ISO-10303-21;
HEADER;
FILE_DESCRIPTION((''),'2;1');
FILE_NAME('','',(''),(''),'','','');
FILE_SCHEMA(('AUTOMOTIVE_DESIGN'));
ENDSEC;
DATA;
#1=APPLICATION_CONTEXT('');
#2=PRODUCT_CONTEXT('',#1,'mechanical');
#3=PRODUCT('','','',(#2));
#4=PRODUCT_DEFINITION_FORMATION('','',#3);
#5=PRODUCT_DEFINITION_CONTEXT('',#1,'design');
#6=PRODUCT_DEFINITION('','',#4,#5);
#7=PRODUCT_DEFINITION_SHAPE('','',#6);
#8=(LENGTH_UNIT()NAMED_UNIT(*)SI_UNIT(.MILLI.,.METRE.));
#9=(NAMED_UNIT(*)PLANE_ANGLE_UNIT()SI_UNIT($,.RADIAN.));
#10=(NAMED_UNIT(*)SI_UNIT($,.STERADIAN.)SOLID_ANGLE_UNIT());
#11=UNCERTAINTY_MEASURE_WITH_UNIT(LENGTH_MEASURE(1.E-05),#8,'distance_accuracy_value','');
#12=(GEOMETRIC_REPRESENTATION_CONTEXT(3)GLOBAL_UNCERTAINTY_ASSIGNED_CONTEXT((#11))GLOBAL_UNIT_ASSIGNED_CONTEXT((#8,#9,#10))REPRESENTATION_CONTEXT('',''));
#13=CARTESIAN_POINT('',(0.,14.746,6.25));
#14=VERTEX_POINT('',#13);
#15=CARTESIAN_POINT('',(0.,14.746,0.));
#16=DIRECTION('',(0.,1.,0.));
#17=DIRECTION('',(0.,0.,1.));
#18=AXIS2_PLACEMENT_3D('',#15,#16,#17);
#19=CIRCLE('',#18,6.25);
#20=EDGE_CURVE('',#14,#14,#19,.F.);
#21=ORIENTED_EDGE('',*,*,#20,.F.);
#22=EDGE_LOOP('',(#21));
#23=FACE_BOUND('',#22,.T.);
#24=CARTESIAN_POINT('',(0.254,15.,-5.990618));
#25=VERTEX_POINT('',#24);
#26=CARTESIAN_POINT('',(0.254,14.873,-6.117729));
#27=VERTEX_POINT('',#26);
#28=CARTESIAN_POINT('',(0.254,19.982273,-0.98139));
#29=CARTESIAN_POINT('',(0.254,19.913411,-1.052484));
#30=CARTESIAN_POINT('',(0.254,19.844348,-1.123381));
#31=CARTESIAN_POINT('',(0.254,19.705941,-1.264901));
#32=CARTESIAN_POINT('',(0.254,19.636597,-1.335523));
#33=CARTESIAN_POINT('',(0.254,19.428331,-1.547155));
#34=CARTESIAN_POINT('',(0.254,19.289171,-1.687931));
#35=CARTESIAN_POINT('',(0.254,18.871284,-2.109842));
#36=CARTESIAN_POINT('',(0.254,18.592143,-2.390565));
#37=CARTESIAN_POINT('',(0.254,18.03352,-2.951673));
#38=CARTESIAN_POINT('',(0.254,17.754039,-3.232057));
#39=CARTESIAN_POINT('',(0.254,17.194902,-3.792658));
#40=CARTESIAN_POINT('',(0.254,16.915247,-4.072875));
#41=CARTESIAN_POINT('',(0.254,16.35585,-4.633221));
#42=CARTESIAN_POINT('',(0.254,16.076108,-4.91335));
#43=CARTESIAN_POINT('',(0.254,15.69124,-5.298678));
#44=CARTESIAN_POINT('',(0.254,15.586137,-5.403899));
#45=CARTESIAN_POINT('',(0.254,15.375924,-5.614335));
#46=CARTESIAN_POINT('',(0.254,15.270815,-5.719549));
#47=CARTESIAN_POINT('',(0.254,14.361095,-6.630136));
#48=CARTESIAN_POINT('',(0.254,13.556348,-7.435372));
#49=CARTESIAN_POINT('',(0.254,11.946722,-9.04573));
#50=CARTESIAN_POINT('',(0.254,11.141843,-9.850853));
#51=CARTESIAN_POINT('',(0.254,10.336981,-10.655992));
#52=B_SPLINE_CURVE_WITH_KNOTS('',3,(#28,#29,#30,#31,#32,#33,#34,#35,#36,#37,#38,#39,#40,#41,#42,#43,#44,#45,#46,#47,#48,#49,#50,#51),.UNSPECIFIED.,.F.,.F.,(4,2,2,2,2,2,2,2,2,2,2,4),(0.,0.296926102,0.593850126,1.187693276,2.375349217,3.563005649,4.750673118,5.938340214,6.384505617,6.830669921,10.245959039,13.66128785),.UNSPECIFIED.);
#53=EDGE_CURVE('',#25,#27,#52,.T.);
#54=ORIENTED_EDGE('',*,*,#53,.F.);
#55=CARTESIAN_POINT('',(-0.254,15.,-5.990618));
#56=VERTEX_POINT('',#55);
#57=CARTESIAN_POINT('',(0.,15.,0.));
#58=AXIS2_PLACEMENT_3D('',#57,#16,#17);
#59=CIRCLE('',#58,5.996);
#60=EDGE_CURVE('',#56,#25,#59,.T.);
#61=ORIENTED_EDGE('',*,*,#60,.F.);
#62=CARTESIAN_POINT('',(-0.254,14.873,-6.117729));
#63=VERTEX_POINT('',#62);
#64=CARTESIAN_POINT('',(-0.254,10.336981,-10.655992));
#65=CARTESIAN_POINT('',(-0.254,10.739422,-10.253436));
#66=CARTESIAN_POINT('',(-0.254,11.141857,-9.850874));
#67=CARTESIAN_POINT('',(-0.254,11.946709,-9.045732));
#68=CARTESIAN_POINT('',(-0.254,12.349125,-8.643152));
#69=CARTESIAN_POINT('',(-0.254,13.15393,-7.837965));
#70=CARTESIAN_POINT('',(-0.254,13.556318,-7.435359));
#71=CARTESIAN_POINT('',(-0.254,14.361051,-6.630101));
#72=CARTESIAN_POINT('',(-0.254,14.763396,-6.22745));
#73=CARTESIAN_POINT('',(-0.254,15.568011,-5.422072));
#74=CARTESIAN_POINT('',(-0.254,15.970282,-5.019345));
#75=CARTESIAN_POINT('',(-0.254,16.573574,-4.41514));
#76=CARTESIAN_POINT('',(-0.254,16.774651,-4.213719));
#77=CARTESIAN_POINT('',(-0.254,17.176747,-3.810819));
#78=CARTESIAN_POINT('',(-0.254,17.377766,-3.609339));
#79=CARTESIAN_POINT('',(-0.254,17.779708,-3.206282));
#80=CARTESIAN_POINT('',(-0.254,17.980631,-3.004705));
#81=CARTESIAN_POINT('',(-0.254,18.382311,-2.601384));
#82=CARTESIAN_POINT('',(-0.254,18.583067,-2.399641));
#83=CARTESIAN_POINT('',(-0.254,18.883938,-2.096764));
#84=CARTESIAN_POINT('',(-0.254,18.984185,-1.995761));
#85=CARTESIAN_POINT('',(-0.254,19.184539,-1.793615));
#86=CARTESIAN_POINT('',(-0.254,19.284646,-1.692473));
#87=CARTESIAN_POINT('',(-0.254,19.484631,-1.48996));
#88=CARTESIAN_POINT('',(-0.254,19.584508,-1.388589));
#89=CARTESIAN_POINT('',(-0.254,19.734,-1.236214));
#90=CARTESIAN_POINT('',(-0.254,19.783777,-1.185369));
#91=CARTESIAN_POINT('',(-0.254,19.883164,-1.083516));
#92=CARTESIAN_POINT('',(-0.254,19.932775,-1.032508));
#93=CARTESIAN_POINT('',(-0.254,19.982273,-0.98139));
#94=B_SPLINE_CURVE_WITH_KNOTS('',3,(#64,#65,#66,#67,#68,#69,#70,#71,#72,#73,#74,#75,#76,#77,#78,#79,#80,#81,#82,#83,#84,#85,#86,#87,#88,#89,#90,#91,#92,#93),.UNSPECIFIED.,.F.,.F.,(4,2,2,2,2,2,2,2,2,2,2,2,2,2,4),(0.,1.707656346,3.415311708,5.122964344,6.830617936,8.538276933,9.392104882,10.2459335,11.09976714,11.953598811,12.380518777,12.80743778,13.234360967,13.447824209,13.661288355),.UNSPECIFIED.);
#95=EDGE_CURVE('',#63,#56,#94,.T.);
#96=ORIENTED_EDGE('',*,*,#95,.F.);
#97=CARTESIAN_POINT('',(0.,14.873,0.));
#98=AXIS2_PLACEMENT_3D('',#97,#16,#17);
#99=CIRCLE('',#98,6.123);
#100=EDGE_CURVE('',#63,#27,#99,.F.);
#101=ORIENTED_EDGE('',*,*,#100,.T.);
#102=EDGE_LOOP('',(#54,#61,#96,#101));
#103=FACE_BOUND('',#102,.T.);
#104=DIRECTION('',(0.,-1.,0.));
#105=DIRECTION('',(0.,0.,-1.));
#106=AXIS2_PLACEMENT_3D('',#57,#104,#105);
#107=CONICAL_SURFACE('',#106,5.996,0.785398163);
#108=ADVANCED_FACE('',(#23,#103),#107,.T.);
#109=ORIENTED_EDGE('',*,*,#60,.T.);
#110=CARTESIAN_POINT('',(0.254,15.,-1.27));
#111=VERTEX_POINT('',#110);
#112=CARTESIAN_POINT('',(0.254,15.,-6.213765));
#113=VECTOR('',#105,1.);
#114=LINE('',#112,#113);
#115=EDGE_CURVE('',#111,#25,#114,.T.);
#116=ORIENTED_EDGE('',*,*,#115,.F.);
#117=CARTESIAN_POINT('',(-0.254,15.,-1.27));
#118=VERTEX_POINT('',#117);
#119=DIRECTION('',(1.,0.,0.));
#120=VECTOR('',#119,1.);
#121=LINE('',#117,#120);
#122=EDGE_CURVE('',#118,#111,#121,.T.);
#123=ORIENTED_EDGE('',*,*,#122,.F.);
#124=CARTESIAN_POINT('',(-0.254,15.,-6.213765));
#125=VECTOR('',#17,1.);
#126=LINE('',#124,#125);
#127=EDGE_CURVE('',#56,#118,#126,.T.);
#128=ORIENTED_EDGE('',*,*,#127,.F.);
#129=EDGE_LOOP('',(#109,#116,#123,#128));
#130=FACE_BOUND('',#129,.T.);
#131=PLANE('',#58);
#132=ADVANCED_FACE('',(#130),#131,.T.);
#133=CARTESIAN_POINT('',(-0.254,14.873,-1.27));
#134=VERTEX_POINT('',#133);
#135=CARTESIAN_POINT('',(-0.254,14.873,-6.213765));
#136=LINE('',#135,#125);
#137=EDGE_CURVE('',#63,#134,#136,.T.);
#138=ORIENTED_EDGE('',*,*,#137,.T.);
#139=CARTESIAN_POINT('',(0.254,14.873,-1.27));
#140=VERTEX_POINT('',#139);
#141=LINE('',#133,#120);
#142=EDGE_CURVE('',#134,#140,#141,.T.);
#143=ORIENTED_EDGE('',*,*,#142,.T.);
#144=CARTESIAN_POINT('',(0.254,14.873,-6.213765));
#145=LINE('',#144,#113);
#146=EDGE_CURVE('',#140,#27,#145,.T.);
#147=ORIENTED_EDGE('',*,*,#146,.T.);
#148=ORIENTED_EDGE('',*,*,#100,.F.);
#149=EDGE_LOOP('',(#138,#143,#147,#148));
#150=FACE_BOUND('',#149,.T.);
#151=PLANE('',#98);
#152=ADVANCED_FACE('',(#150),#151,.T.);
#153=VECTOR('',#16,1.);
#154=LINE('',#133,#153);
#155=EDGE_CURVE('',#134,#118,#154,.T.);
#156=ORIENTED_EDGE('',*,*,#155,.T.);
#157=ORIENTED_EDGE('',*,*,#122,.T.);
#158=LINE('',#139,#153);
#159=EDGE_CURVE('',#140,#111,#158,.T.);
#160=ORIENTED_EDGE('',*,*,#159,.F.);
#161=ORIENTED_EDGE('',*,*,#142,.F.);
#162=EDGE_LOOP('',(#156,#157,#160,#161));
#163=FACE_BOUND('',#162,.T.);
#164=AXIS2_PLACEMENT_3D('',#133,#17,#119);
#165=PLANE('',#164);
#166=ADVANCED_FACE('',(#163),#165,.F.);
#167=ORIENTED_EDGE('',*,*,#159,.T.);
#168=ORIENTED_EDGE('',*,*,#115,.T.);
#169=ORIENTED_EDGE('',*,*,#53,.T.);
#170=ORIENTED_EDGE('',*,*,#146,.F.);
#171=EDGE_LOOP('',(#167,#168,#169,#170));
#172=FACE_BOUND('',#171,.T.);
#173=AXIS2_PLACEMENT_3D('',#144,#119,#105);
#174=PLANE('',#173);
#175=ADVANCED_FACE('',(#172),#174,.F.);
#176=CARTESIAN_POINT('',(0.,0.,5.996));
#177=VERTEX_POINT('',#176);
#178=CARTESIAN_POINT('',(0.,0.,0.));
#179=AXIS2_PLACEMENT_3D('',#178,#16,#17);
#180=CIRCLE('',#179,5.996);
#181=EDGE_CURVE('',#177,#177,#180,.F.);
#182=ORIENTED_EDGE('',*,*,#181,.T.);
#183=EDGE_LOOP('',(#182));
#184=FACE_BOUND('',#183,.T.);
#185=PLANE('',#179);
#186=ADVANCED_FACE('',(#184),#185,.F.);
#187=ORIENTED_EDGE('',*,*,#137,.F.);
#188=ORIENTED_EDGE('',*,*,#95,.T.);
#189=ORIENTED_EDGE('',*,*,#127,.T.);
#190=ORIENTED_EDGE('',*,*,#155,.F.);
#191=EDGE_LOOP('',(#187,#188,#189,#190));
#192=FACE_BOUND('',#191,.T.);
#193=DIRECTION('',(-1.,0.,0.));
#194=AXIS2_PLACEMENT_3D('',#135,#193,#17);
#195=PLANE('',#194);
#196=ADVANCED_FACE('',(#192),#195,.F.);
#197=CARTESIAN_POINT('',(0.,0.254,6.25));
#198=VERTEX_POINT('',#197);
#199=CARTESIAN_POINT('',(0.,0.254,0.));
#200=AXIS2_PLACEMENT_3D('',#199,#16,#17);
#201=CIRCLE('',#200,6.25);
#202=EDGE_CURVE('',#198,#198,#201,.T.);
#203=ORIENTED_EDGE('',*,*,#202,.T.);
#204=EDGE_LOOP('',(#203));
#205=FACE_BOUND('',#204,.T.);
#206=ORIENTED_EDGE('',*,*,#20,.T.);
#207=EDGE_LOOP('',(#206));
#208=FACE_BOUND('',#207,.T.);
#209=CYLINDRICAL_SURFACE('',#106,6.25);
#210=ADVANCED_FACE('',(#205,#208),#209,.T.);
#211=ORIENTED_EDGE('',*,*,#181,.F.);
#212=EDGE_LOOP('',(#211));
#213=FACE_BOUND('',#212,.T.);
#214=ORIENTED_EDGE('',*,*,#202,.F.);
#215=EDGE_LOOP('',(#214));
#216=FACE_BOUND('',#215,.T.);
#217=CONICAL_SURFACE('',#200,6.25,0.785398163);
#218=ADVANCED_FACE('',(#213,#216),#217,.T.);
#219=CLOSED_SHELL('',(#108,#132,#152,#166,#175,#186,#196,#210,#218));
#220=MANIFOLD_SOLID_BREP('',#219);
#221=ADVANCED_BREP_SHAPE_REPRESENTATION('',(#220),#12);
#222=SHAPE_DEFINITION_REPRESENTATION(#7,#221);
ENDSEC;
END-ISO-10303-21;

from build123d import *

# Parameters (mm, degrees)
SKETCH1_R           = 6.25
BOSS_EXTRUDE1_DEPTH = 15
CHAMFER1_SIZE       = 0.254
SKETCH2_W           = 0.508
SKETCH2_H           = 4.943764677
CUT_EXTRUDE1_DEPTH  = 0.127


with BuildPart() as part:
    # Sketch1 → Boss-Extrude1 (new body)
    with BuildSketch(Plane(origin=(0, 0, 0), x_dir=(1, 0, 0), z_dir=(0, 1, 0))):
        with Locations(Location((0, 0, 0), (0, 0, 270))):
            Circle(SKETCH1_R)
    extrude(amount=BOSS_EXTRUDE1_DEPTH)

    # Chamfer1
    chamfer1_edges = [part.edges().sort_by_distance(p)[0] for p in [
        (0, 0, -6.25),
        (0, 15, -6.25),
    ]]
    chamfer(chamfer1_edges, length=CHAMFER1_SIZE)

    # Sketch2 → Cut-Extrude1 (cut)
    with BuildSketch(Plane(origin=(0, 15, 0), x_dir=(1, 0, 0), z_dir=(0, 1, 0))):
        with Locations((0, 3.741882338)):
            Rectangle(SKETCH2_W, SKETCH2_H)
    extrude(amount=-CUT_EXTRUDE1_DEPTH, mode=Mode.SUBTRACT)


solid = part.part
